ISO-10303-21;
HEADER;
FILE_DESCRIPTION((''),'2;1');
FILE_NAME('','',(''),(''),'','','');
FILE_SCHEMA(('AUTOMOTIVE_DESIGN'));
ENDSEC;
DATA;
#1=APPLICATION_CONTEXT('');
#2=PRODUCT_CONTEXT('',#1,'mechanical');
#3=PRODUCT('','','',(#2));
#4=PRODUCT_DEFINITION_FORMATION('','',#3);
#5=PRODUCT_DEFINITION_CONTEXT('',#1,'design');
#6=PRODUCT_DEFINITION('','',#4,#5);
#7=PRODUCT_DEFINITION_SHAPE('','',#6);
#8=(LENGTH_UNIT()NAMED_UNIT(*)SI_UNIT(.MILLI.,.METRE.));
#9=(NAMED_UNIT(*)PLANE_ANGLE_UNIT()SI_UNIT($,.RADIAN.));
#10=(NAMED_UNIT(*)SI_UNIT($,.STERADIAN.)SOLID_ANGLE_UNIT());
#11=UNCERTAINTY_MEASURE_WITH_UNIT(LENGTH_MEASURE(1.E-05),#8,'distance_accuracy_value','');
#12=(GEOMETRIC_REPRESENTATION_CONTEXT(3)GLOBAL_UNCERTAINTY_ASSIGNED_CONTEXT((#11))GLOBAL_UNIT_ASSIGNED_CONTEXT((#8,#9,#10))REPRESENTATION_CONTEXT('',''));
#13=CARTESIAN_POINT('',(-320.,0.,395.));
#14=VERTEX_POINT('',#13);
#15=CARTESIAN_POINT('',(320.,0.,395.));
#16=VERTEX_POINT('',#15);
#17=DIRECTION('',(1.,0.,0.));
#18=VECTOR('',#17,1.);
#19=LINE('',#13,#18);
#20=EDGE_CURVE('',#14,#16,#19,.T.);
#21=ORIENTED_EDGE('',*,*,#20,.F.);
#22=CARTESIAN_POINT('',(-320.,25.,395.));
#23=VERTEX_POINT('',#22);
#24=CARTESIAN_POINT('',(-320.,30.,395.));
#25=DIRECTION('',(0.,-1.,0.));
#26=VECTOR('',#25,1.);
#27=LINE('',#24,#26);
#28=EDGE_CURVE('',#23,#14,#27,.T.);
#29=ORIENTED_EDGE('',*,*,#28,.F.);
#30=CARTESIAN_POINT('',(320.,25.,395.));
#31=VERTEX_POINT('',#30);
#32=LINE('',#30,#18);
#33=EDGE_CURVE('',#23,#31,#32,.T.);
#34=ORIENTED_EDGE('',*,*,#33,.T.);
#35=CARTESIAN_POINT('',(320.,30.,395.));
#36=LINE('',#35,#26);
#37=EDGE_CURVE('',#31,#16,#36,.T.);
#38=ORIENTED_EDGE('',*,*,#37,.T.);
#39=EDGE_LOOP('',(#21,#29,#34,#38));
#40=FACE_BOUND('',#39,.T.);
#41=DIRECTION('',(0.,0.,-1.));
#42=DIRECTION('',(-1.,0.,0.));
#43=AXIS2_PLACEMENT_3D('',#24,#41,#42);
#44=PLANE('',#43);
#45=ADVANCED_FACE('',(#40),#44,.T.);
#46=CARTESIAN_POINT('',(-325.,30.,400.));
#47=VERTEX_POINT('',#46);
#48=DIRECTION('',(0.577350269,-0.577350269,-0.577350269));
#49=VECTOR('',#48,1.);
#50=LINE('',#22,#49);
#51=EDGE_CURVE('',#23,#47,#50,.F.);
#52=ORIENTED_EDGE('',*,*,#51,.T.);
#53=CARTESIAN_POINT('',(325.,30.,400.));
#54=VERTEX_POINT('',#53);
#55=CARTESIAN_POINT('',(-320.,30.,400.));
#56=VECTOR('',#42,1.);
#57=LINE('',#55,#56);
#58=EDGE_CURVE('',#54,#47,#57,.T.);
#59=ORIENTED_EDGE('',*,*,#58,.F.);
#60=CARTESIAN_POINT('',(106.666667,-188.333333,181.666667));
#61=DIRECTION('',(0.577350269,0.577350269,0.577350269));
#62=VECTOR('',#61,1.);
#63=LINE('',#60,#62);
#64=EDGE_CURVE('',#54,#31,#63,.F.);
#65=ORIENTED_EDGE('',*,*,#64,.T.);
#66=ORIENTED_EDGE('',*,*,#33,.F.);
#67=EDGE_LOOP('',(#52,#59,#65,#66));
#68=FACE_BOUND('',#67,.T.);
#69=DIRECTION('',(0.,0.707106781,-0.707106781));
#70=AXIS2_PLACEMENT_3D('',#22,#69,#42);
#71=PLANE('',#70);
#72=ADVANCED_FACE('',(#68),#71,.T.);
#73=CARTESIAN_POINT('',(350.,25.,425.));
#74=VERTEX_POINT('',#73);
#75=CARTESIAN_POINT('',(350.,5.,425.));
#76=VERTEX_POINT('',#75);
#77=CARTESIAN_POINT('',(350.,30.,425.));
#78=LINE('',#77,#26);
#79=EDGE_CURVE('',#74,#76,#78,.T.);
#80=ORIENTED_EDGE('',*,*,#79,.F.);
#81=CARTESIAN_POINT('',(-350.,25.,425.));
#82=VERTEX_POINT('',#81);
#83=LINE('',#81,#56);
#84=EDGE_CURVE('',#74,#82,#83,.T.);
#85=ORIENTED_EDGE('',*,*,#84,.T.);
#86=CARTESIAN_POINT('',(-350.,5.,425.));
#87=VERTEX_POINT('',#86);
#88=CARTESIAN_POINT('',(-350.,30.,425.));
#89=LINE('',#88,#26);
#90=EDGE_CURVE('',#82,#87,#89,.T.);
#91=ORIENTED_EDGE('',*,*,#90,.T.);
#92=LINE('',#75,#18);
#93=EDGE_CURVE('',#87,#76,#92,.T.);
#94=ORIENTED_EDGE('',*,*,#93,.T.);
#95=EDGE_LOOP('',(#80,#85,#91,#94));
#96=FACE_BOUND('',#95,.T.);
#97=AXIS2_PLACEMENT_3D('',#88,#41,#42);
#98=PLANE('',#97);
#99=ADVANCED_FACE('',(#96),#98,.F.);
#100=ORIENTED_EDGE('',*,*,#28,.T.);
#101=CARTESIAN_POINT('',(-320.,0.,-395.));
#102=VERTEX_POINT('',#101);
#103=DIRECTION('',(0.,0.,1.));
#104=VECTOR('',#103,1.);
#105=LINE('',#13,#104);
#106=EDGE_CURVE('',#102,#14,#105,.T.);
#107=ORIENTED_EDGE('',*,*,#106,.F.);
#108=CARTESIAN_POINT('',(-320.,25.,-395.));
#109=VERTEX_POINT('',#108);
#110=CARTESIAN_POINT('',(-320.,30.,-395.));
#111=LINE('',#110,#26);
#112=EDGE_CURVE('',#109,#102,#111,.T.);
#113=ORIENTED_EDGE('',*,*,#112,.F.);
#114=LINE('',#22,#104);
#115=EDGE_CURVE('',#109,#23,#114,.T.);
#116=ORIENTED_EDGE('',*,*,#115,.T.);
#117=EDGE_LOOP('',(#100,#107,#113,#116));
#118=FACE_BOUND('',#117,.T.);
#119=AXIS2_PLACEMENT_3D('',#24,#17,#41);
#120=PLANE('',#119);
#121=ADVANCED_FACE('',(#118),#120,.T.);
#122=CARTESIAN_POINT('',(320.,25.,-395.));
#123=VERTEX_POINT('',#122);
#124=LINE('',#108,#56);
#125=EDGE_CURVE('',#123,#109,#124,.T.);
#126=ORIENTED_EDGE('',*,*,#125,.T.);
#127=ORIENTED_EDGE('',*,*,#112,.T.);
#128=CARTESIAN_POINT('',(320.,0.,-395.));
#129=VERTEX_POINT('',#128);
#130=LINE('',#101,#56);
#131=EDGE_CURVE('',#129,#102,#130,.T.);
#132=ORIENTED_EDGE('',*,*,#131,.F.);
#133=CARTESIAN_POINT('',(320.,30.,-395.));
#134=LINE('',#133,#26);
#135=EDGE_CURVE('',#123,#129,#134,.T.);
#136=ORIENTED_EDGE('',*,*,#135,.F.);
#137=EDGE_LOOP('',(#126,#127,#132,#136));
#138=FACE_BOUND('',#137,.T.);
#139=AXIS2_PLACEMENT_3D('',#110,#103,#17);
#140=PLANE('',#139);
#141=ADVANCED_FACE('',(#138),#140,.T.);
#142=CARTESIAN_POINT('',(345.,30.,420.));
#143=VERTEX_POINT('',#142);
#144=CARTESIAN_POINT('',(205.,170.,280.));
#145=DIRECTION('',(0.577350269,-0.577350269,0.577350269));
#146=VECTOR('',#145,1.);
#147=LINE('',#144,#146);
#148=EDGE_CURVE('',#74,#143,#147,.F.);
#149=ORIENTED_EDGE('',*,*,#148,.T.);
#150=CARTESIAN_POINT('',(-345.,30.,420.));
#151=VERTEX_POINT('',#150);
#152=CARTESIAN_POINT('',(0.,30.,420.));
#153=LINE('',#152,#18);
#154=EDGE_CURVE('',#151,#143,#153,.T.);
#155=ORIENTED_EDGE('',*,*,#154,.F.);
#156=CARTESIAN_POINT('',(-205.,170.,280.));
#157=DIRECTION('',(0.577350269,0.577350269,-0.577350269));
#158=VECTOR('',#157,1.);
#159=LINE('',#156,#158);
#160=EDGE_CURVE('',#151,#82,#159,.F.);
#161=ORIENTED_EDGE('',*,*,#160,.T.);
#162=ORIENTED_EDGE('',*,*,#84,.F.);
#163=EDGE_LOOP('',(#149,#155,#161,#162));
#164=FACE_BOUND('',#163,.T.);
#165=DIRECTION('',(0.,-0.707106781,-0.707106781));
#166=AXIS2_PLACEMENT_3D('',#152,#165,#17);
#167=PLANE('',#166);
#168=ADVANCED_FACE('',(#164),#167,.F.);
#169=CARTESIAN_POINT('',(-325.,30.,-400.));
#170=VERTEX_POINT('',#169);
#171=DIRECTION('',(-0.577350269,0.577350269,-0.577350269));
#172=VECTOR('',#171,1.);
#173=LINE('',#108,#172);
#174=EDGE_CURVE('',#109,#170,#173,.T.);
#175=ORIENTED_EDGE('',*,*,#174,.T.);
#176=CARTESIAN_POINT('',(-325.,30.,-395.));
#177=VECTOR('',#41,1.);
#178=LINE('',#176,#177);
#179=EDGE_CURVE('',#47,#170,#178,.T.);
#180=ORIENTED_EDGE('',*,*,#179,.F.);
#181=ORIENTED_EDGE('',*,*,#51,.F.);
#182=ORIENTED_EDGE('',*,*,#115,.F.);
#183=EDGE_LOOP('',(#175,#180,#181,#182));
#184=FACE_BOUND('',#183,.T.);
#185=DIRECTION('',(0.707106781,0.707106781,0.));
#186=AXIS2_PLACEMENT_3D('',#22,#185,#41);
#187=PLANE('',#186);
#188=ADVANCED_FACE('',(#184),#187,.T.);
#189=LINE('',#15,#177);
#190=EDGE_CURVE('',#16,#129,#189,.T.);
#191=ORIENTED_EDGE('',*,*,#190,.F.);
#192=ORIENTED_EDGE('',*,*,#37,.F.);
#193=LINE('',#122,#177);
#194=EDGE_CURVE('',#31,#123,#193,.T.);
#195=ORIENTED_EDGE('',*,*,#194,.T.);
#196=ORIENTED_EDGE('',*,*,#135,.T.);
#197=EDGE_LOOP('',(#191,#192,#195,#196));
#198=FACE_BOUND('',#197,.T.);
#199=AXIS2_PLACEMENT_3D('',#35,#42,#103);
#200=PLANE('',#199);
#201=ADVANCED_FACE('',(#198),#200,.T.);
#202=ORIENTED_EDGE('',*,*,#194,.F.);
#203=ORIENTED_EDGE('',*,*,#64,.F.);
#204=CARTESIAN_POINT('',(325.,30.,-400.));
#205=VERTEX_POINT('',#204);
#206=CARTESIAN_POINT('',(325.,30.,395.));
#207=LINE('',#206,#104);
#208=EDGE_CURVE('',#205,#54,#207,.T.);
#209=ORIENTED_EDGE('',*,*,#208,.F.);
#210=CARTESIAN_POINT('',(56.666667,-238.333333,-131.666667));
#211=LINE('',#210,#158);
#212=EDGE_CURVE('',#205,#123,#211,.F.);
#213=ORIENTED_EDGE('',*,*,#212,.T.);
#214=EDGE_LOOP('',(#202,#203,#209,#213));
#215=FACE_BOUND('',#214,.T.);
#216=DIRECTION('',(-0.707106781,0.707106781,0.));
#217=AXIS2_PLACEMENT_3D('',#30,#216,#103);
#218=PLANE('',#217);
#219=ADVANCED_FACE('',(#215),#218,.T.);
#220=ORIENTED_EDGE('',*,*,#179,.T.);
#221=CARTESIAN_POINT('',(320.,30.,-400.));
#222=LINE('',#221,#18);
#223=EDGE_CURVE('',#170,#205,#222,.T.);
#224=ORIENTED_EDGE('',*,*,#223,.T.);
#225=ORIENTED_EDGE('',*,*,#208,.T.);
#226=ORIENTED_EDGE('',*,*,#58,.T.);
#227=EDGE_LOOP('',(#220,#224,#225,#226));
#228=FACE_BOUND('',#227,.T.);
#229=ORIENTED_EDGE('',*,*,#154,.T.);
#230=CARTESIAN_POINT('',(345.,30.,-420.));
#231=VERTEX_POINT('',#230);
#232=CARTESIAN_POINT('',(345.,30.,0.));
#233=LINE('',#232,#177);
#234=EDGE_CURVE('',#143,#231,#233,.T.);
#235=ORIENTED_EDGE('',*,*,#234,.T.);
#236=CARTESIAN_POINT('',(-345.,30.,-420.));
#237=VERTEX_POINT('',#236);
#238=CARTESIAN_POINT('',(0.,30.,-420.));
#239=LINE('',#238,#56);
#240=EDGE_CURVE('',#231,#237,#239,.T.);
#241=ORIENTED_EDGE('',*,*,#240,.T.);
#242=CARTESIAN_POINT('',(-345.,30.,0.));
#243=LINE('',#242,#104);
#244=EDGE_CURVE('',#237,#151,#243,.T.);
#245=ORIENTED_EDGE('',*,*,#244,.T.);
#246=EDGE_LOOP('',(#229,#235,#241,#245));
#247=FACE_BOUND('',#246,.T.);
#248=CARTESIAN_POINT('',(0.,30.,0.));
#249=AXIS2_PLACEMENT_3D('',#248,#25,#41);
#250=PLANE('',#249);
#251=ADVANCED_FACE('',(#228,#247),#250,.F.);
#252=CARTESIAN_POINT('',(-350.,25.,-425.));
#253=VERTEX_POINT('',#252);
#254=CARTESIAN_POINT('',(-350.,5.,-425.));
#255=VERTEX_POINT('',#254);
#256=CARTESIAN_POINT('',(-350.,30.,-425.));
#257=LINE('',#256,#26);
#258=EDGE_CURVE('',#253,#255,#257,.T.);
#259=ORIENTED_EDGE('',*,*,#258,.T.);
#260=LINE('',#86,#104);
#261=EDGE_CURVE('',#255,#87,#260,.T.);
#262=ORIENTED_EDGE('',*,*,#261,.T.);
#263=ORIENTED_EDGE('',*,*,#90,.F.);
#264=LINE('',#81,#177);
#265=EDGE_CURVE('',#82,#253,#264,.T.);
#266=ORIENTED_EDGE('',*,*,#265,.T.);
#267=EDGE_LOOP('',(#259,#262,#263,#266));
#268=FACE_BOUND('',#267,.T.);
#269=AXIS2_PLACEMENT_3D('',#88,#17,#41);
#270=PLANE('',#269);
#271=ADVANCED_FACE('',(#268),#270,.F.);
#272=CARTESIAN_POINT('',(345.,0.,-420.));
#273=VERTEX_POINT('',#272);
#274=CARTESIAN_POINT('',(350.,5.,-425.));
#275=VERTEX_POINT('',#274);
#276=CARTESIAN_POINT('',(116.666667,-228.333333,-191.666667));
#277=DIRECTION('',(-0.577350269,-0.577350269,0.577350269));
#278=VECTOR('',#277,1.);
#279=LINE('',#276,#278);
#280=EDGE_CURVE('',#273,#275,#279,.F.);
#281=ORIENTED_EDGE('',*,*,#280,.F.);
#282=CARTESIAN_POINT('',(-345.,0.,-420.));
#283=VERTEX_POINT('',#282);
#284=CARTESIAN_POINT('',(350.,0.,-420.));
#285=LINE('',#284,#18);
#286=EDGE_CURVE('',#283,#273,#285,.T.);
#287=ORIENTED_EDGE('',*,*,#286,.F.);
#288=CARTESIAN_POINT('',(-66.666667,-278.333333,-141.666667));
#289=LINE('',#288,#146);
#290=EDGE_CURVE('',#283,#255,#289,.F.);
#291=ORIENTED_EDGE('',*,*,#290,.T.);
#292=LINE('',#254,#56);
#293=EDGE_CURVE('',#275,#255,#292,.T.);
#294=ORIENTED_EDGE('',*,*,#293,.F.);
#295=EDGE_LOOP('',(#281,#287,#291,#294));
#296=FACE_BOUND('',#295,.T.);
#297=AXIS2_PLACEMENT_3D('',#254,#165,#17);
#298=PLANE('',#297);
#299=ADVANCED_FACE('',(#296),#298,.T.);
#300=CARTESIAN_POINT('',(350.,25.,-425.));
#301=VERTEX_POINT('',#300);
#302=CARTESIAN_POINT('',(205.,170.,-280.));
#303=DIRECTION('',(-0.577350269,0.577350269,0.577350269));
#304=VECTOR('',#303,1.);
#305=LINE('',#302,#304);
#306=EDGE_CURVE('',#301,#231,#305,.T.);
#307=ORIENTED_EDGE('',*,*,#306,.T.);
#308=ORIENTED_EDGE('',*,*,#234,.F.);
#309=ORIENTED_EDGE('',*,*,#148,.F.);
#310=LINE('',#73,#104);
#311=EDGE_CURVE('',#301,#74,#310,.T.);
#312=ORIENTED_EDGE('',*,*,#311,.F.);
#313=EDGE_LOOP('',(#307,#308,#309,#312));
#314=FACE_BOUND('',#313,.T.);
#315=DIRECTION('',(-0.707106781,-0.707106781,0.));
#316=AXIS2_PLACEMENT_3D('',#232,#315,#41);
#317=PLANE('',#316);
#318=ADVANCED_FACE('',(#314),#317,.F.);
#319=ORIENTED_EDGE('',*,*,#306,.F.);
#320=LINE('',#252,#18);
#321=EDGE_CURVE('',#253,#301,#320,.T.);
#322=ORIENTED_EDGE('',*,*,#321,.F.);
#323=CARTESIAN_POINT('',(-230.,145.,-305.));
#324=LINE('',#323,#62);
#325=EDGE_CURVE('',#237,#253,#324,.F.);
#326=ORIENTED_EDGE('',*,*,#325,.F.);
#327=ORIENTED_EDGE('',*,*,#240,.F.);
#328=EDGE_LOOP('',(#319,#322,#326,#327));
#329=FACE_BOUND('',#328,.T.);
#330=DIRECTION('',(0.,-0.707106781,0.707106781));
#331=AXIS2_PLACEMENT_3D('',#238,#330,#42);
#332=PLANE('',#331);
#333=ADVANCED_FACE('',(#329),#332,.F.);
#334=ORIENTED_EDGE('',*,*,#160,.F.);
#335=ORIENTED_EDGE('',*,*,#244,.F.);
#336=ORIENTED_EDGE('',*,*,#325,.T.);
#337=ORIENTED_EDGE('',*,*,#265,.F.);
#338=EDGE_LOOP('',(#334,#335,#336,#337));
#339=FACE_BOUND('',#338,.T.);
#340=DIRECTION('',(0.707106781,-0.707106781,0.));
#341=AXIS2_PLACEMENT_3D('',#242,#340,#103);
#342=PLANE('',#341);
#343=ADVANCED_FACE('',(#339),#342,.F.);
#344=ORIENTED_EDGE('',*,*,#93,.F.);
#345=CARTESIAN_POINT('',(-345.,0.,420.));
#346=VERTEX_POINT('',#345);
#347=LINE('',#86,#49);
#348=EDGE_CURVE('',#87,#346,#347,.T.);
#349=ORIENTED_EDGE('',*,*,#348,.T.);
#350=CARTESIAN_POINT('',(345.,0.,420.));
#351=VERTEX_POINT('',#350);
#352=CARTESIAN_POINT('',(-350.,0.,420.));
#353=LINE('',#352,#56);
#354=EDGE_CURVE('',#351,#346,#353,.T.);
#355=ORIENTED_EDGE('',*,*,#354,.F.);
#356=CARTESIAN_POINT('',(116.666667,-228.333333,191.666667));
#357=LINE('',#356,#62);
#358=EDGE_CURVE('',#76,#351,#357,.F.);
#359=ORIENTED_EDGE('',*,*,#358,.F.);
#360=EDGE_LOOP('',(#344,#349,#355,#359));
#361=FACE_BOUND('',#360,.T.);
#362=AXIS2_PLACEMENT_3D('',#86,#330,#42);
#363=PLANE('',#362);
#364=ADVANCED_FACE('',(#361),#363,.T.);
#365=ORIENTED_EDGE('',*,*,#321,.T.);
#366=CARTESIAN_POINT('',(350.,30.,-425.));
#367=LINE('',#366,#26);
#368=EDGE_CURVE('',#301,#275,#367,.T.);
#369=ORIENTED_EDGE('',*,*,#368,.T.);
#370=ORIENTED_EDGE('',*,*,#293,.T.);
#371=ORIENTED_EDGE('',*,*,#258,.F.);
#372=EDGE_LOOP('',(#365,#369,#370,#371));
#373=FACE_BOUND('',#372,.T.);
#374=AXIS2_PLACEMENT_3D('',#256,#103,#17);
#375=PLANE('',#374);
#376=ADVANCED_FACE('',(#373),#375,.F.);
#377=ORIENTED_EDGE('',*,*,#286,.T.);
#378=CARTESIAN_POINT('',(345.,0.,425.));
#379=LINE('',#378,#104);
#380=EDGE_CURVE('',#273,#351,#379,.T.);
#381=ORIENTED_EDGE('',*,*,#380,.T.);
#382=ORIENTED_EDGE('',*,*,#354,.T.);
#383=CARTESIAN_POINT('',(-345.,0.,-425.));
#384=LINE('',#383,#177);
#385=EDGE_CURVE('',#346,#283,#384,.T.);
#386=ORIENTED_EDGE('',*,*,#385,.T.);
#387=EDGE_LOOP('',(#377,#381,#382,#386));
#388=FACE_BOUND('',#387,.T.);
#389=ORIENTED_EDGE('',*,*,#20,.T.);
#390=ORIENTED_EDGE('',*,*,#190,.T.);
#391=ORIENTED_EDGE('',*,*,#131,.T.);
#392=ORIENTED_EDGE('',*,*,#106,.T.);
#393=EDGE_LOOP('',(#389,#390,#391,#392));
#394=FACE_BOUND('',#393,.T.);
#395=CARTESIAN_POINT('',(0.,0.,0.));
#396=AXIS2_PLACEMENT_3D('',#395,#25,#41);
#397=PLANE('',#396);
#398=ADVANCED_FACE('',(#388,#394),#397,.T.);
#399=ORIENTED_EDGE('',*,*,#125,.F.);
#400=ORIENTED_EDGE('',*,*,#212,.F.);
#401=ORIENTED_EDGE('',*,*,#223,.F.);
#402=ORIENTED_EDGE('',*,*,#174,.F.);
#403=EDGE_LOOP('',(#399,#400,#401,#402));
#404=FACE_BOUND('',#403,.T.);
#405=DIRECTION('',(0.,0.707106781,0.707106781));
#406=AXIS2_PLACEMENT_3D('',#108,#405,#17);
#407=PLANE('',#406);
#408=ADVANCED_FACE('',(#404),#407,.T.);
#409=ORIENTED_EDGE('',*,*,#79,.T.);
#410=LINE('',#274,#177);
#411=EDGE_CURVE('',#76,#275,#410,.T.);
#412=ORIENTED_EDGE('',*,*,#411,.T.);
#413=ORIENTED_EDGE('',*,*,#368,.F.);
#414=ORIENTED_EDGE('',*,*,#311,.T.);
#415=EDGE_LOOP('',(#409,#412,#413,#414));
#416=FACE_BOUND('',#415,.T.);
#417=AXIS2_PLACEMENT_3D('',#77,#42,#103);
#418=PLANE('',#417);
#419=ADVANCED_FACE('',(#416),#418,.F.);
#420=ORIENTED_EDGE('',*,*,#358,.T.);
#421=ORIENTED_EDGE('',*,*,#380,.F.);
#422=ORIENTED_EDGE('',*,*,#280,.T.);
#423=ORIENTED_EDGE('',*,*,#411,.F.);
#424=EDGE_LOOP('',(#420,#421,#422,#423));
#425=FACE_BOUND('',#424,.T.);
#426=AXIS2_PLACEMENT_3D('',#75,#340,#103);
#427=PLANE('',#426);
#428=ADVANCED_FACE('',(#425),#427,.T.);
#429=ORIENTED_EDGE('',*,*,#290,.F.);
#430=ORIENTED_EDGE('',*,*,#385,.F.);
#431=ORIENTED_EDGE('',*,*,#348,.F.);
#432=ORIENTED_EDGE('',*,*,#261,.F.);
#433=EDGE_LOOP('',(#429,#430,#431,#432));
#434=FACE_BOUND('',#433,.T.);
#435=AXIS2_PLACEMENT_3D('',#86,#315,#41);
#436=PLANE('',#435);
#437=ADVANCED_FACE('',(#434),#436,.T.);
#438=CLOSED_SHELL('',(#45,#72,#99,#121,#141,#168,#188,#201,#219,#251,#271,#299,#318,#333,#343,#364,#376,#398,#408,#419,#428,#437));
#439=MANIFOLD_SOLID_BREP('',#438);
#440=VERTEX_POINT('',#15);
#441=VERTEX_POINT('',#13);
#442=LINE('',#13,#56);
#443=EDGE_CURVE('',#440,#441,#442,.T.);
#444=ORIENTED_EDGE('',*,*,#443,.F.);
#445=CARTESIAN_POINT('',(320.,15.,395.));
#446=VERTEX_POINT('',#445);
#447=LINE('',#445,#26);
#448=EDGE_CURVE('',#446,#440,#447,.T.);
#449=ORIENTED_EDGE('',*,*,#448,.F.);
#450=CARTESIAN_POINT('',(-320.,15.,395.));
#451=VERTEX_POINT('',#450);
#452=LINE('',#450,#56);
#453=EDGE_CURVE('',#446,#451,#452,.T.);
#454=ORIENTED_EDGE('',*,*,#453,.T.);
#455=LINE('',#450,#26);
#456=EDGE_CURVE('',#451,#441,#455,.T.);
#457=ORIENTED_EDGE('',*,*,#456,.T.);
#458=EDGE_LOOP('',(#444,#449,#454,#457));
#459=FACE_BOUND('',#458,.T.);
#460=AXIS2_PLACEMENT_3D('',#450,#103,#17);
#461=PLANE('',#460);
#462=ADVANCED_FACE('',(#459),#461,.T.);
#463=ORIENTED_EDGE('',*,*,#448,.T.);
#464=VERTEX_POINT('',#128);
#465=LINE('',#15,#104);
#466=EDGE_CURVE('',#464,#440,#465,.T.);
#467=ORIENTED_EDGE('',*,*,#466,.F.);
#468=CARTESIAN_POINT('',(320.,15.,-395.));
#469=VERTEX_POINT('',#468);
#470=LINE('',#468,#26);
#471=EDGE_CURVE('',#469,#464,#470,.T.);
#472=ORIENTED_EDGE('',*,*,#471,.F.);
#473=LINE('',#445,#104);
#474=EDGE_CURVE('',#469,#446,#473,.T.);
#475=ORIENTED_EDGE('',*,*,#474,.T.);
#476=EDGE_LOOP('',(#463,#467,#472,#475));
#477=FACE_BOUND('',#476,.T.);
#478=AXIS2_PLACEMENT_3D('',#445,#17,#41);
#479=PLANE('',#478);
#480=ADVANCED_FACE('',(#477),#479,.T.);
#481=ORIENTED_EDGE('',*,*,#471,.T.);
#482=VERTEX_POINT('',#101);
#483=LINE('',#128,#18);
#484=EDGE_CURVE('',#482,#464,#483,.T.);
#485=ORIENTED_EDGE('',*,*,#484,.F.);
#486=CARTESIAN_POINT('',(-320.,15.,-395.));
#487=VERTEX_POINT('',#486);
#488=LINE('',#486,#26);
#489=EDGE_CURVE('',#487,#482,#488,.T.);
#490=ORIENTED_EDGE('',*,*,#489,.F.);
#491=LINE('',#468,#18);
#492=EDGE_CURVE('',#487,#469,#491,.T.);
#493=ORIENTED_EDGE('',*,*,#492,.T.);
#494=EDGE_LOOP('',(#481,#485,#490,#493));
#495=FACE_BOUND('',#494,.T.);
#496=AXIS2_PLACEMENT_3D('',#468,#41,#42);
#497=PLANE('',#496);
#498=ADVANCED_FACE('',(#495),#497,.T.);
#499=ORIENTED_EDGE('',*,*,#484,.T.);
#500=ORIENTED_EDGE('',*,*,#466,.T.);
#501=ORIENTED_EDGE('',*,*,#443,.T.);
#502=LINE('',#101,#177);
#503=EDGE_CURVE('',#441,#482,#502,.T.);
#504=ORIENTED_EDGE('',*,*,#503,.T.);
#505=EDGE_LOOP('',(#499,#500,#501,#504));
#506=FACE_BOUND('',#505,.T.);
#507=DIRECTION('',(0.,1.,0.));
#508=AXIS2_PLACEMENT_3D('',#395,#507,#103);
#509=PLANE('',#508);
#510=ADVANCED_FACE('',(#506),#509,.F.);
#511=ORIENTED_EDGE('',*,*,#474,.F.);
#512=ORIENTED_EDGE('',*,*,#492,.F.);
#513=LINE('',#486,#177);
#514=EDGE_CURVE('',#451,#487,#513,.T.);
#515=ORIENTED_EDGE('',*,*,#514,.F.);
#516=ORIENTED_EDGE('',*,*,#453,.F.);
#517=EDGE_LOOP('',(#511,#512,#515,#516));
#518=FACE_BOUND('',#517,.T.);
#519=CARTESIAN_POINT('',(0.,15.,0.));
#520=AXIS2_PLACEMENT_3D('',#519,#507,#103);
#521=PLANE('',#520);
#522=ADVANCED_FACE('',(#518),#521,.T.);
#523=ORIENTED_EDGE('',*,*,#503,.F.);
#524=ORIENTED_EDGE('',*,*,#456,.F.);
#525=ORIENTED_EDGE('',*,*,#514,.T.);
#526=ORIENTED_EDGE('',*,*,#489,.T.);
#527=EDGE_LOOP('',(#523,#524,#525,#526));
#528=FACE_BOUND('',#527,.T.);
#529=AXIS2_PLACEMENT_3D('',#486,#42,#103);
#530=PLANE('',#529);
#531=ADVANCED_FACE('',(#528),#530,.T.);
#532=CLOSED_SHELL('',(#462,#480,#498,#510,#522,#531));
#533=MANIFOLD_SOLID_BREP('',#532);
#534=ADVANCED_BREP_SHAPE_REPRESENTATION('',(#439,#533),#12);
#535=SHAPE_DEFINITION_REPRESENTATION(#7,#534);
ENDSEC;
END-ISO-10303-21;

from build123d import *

# Parameters (mm, degrees)
SKETCH3_W           = 700
SKETCH3_H           = 850
SKETCH3_W_2         = 640
SKETCH3_H_2         = 790
BOSS_EXTRUDE1_DEPTH = 30
CHAMFER2_SIZE       = 5
SKETCH4_W           = 640
SKETCH4_H           = 790
BOSS_EXTRUDE2_DEPTH = 15


with BuildPart() as part:
    # Sketch3 → Boss-Extrude1 (new body)
    with BuildSketch(Plane(origin=(0, 0, 0), x_dir=(1, 0, 0), z_dir=(0, 1, 0))):
        Rectangle(SKETCH3_W, SKETCH3_H)
        Rectangle(SKETCH3_W_2, SKETCH3_H_2, mode=Mode.SUBTRACT)
    extrude(amount=BOSS_EXTRUDE1_DEPTH)

    # Chamfer2
    chamfer2_edges = [part.edges().sort_by_distance(p)[0] for p in [
        (-350, 30, 0),
        (-320, 30, 0),
        (0, 30, 425),
        (0, 30, 395),
        (320, 30, 0),
        (0, 30, -395),
        (350, 30, 0),
        (0, 0, 425),
        (-350, 0, 0),
        (0, 0, -425),
        (350, 0, 0),
        (0, 30, -425),
    ]]
    chamfer(chamfer2_edges, length=CHAMFER2_SIZE)


with BuildPart() as body_2:
    # Sketch4 → Boss-Extrude2 (new body)
    with BuildSketch(Plane.XZ):
        Rectangle(SKETCH4_W, SKETCH4_H)
    extrude(amount=-BOSS_EXTRUDE2_DEPTH)


solid = Compound([part.part, body_2.part])
